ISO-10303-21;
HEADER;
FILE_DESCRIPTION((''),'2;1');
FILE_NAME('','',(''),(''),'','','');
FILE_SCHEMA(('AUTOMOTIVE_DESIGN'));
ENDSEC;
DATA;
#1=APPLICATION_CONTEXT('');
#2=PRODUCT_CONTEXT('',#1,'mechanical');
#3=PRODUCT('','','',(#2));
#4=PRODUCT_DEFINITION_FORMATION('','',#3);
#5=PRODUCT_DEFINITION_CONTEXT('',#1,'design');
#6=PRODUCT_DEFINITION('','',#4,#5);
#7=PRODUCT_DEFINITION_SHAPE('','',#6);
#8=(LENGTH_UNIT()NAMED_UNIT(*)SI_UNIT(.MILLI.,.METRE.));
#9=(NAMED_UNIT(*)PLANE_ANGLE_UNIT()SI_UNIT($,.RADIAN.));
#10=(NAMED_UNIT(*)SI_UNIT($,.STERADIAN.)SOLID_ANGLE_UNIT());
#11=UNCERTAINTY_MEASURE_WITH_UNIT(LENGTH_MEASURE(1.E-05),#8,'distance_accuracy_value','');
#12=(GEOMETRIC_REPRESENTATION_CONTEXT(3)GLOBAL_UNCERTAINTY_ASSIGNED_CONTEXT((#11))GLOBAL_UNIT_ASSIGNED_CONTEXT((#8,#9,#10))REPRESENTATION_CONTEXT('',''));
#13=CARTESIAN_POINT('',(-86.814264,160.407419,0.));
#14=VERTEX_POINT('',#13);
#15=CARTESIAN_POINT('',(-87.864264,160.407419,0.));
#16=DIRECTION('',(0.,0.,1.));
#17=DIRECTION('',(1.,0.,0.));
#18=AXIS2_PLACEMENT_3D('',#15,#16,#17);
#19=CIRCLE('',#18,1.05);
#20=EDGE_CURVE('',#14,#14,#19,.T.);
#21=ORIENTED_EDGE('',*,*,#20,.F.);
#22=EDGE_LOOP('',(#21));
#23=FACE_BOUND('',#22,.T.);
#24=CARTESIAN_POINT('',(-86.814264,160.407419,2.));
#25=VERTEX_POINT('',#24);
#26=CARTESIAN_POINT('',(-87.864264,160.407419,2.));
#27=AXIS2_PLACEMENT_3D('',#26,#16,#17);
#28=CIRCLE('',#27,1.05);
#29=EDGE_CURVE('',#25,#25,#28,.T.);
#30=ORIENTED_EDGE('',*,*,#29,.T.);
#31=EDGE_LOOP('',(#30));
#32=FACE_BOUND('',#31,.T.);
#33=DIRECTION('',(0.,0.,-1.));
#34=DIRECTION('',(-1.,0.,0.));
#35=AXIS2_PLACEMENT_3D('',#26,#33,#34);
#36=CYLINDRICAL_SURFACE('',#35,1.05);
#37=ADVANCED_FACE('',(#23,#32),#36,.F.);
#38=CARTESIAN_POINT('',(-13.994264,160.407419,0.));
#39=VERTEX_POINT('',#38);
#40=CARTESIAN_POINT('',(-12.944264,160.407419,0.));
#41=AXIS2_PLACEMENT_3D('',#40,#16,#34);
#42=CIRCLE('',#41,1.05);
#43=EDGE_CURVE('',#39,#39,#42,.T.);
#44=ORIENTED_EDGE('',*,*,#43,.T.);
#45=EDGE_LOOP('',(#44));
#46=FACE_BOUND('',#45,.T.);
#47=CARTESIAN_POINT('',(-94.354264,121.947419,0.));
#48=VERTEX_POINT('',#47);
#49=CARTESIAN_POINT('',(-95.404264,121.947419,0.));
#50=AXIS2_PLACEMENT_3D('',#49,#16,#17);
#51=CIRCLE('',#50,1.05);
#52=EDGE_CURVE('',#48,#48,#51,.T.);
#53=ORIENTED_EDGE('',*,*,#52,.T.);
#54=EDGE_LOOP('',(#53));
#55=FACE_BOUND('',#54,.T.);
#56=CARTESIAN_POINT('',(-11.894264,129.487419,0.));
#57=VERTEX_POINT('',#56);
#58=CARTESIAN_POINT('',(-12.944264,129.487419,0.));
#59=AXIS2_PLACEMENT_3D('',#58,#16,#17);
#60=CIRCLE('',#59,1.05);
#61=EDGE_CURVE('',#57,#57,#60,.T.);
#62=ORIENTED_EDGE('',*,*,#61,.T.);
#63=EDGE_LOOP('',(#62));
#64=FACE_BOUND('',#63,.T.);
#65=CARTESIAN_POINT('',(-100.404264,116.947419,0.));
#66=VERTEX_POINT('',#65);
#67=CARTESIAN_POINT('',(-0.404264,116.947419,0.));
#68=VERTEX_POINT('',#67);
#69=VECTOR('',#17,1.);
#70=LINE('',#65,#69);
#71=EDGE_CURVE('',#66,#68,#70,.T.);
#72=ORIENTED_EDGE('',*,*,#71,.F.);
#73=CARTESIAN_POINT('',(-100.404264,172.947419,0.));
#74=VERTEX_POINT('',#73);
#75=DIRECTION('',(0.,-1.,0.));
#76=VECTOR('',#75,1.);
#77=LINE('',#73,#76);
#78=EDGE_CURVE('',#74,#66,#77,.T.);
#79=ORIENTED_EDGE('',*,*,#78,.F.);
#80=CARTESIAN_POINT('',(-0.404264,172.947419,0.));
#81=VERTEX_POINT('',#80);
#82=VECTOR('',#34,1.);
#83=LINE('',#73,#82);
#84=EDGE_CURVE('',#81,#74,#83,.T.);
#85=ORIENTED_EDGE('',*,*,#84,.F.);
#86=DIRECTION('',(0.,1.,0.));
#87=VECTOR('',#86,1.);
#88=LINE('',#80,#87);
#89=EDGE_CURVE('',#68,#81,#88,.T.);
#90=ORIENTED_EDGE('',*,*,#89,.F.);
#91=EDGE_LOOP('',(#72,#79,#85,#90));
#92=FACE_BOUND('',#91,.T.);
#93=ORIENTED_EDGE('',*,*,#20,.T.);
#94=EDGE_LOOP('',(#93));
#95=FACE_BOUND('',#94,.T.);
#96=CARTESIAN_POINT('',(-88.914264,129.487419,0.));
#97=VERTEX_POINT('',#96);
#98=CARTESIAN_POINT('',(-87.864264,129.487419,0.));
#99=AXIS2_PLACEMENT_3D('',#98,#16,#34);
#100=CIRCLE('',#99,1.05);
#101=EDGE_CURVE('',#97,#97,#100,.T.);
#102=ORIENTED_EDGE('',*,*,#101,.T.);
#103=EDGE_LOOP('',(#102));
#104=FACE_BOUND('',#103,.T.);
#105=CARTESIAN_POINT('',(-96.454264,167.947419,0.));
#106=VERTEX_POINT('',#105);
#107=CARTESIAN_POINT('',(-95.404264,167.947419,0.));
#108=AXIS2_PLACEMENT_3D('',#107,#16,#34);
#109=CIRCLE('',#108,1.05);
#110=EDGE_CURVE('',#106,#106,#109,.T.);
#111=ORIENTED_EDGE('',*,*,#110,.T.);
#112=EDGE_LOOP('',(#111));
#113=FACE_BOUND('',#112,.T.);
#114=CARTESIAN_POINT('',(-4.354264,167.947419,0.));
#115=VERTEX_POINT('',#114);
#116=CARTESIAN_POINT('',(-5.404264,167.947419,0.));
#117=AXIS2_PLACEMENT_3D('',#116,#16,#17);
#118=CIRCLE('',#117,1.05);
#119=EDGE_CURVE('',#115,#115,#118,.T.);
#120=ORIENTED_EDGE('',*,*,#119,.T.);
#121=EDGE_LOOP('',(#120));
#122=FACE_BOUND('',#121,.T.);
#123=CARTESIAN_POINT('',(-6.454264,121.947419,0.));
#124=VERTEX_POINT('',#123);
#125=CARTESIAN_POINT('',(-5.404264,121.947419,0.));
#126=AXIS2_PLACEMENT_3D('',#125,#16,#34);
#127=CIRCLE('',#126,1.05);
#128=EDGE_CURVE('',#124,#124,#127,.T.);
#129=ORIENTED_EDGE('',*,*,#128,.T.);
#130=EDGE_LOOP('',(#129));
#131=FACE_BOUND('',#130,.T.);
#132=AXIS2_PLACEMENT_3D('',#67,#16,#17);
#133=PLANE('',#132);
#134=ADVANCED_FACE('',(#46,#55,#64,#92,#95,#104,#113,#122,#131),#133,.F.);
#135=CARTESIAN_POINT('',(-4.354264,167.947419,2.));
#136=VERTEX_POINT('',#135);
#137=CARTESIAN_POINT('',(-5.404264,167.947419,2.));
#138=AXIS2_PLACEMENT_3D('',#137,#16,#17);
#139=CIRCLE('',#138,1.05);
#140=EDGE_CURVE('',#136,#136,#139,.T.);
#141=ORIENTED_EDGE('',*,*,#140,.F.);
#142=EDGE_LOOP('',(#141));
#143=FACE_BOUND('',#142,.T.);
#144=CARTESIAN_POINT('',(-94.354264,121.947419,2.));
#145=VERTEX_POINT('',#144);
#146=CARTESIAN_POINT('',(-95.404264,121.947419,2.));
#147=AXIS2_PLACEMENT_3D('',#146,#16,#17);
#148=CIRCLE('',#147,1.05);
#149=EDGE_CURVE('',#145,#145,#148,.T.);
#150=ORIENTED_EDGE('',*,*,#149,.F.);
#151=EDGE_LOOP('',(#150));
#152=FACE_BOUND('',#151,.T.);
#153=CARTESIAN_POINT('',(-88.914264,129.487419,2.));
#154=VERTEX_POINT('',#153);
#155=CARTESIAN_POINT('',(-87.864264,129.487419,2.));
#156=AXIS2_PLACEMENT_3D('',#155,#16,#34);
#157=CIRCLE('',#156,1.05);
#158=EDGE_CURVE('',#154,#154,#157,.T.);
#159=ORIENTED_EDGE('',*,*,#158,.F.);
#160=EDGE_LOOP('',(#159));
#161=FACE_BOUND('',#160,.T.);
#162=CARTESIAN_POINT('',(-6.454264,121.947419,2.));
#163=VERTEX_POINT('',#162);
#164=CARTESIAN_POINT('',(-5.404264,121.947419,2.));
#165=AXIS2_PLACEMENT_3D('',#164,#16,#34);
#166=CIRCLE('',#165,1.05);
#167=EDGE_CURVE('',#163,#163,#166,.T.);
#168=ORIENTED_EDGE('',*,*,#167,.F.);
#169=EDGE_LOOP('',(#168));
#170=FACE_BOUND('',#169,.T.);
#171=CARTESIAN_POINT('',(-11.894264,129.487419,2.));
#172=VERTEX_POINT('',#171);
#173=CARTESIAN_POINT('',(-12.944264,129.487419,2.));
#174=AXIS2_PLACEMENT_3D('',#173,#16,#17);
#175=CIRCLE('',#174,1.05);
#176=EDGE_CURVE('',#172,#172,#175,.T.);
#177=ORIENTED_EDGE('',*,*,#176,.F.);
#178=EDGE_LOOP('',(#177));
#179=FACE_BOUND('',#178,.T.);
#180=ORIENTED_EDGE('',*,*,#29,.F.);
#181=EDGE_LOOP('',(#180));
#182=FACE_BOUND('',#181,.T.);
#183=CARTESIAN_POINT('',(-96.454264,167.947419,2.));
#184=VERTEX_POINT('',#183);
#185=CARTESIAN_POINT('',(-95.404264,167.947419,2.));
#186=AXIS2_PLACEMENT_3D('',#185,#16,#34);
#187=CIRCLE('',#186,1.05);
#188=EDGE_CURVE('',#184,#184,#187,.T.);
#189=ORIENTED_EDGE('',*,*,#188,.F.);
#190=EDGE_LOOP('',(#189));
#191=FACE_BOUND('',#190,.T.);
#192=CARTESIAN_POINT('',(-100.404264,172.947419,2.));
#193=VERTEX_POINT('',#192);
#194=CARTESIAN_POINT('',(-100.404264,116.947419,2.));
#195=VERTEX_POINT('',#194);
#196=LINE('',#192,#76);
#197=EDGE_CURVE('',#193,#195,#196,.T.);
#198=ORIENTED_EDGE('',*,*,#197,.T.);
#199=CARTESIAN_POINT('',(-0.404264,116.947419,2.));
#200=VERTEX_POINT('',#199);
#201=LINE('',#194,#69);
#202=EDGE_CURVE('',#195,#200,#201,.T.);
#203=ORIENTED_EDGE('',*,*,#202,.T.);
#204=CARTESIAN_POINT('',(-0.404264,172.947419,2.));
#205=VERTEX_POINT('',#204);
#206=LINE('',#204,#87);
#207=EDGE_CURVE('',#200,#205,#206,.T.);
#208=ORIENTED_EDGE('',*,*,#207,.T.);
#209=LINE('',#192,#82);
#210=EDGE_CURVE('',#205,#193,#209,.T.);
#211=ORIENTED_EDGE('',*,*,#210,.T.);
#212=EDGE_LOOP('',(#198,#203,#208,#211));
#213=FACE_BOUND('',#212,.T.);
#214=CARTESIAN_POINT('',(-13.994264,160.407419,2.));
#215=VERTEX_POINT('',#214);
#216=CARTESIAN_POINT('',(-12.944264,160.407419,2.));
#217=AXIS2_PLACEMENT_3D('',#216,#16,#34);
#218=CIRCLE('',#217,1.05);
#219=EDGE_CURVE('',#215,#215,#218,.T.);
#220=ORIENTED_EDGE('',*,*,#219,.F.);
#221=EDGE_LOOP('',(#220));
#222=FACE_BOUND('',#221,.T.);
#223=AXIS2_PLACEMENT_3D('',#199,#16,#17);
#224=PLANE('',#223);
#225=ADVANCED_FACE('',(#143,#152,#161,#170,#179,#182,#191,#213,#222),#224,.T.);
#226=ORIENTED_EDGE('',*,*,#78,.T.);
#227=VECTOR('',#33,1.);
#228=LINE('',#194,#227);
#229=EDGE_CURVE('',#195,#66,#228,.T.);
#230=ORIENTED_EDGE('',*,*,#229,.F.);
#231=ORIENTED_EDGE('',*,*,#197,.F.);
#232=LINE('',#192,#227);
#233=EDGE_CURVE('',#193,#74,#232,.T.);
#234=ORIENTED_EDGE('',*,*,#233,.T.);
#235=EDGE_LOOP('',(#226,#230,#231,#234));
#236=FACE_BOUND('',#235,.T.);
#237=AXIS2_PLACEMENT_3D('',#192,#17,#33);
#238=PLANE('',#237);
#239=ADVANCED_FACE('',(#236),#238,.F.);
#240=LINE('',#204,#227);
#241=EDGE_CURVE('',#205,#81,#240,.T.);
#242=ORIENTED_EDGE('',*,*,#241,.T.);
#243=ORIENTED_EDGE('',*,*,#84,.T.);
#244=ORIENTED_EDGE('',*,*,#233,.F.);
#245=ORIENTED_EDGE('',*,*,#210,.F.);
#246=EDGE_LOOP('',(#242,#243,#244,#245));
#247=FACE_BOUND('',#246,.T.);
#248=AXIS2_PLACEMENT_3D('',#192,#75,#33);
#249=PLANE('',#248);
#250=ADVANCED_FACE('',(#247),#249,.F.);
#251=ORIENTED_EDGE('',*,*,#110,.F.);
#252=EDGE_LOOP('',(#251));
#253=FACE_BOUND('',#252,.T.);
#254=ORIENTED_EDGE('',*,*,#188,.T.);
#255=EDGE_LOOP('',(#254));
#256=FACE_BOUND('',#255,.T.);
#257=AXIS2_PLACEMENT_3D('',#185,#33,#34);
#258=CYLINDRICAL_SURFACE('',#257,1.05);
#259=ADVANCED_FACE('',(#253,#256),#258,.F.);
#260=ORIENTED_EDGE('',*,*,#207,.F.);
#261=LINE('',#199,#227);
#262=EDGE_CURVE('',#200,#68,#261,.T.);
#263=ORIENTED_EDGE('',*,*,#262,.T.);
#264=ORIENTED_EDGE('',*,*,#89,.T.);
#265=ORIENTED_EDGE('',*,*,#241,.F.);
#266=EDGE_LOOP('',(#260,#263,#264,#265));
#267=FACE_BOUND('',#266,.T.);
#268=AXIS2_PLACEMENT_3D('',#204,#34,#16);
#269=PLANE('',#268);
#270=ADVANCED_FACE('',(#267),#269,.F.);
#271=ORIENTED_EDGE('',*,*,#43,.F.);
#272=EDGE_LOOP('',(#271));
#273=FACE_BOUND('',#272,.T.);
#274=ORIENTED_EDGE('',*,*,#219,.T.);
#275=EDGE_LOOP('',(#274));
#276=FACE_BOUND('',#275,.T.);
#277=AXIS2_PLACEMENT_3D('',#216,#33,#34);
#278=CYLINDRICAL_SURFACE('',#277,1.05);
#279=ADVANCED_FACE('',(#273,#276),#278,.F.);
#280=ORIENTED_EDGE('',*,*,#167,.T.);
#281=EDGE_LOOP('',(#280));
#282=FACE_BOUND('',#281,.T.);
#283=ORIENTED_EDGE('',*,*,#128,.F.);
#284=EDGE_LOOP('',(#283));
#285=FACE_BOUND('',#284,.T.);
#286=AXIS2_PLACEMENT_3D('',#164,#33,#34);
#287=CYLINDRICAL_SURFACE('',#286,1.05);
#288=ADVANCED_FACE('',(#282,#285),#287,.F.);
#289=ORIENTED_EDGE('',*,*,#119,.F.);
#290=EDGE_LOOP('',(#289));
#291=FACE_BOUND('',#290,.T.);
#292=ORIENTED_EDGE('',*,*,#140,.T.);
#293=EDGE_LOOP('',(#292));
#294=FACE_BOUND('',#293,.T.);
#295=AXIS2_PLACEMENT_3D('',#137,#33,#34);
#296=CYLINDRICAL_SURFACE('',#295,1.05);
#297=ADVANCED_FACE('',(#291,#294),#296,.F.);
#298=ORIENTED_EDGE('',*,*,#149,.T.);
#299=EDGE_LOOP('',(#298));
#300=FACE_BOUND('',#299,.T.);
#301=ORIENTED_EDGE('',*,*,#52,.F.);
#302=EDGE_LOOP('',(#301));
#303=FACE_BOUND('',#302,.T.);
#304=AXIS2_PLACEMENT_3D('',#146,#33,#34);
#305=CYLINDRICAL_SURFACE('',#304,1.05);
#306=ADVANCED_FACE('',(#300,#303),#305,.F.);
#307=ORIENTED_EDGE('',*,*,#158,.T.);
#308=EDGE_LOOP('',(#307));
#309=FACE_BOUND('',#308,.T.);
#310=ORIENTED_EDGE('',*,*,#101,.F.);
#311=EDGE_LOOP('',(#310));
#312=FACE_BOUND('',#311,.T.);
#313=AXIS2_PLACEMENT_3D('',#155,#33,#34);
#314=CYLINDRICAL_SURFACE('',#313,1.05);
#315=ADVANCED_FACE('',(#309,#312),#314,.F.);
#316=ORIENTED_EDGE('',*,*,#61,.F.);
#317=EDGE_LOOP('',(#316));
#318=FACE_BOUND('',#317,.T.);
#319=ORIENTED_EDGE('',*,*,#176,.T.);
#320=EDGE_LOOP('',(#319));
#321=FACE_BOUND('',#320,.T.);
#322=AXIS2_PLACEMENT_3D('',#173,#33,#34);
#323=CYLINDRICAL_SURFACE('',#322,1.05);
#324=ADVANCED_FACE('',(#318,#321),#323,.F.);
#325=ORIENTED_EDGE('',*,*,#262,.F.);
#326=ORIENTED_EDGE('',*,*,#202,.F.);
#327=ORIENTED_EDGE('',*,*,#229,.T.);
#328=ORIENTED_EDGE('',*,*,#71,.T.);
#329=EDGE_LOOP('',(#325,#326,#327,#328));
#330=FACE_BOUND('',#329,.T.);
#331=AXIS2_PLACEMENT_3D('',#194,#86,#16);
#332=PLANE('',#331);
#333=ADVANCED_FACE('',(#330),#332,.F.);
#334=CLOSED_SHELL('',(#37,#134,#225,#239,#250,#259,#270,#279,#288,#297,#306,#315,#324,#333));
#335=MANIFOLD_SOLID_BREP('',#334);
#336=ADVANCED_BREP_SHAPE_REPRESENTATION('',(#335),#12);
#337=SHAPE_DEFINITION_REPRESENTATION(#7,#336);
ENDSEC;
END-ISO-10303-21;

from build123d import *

# Parameters (mm, degrees)
ESQUISSE1_W        = 100
ESQUISSE1_H        = 56
ESQUISSE1_R        = 1.05
BOSS_EXTRU_1_DEPTH = 2


with BuildPart() as part:
    # Esquisse1 → Boss.-Extru.1 (new body)
    with BuildSketch(Plane.XY):
        with Locations((-50.404264154, 144.947419355)):
            Rectangle(ESQUISSE1_W, ESQUISSE1_H)
        with Locations((-5.404264154, 167.947419355)):
            Circle(ESQUISSE1_R, mode=Mode.SUBTRACT)
        with Locations((-95.404264154, 167.947419355)):
            Circle(ESQUISSE1_R, mode=Mode.SUBTRACT)
        with Locations((-95.404264154, 121.947419355)):
            Circle(ESQUISSE1_R, mode=Mode.SUBTRACT)
        with Locations((-5.404264154, 121.947419355)):
            Circle(ESQUISSE1_R, mode=Mode.SUBTRACT)
        with Locations((-12.944264154, 129.487419355)):
            Circle(ESQUISSE1_R, mode=Mode.SUBTRACT)
        with Locations((-12.944264154, 160.407419355)):
            Circle(ESQUISSE1_R, mode=Mode.SUBTRACT)
        with Locations((-87.864264154, 129.487419355)):
            Circle(ESQUISSE1_R, mode=Mode.SUBTRACT)
        with Locations((-87.864264154, 160.407419355)):
            Circle(ESQUISSE1_R, mode=Mode.SUBTRACT)
    extrude(amount=BOSS_EXTRU_1_DEPTH)


solid = part.part
